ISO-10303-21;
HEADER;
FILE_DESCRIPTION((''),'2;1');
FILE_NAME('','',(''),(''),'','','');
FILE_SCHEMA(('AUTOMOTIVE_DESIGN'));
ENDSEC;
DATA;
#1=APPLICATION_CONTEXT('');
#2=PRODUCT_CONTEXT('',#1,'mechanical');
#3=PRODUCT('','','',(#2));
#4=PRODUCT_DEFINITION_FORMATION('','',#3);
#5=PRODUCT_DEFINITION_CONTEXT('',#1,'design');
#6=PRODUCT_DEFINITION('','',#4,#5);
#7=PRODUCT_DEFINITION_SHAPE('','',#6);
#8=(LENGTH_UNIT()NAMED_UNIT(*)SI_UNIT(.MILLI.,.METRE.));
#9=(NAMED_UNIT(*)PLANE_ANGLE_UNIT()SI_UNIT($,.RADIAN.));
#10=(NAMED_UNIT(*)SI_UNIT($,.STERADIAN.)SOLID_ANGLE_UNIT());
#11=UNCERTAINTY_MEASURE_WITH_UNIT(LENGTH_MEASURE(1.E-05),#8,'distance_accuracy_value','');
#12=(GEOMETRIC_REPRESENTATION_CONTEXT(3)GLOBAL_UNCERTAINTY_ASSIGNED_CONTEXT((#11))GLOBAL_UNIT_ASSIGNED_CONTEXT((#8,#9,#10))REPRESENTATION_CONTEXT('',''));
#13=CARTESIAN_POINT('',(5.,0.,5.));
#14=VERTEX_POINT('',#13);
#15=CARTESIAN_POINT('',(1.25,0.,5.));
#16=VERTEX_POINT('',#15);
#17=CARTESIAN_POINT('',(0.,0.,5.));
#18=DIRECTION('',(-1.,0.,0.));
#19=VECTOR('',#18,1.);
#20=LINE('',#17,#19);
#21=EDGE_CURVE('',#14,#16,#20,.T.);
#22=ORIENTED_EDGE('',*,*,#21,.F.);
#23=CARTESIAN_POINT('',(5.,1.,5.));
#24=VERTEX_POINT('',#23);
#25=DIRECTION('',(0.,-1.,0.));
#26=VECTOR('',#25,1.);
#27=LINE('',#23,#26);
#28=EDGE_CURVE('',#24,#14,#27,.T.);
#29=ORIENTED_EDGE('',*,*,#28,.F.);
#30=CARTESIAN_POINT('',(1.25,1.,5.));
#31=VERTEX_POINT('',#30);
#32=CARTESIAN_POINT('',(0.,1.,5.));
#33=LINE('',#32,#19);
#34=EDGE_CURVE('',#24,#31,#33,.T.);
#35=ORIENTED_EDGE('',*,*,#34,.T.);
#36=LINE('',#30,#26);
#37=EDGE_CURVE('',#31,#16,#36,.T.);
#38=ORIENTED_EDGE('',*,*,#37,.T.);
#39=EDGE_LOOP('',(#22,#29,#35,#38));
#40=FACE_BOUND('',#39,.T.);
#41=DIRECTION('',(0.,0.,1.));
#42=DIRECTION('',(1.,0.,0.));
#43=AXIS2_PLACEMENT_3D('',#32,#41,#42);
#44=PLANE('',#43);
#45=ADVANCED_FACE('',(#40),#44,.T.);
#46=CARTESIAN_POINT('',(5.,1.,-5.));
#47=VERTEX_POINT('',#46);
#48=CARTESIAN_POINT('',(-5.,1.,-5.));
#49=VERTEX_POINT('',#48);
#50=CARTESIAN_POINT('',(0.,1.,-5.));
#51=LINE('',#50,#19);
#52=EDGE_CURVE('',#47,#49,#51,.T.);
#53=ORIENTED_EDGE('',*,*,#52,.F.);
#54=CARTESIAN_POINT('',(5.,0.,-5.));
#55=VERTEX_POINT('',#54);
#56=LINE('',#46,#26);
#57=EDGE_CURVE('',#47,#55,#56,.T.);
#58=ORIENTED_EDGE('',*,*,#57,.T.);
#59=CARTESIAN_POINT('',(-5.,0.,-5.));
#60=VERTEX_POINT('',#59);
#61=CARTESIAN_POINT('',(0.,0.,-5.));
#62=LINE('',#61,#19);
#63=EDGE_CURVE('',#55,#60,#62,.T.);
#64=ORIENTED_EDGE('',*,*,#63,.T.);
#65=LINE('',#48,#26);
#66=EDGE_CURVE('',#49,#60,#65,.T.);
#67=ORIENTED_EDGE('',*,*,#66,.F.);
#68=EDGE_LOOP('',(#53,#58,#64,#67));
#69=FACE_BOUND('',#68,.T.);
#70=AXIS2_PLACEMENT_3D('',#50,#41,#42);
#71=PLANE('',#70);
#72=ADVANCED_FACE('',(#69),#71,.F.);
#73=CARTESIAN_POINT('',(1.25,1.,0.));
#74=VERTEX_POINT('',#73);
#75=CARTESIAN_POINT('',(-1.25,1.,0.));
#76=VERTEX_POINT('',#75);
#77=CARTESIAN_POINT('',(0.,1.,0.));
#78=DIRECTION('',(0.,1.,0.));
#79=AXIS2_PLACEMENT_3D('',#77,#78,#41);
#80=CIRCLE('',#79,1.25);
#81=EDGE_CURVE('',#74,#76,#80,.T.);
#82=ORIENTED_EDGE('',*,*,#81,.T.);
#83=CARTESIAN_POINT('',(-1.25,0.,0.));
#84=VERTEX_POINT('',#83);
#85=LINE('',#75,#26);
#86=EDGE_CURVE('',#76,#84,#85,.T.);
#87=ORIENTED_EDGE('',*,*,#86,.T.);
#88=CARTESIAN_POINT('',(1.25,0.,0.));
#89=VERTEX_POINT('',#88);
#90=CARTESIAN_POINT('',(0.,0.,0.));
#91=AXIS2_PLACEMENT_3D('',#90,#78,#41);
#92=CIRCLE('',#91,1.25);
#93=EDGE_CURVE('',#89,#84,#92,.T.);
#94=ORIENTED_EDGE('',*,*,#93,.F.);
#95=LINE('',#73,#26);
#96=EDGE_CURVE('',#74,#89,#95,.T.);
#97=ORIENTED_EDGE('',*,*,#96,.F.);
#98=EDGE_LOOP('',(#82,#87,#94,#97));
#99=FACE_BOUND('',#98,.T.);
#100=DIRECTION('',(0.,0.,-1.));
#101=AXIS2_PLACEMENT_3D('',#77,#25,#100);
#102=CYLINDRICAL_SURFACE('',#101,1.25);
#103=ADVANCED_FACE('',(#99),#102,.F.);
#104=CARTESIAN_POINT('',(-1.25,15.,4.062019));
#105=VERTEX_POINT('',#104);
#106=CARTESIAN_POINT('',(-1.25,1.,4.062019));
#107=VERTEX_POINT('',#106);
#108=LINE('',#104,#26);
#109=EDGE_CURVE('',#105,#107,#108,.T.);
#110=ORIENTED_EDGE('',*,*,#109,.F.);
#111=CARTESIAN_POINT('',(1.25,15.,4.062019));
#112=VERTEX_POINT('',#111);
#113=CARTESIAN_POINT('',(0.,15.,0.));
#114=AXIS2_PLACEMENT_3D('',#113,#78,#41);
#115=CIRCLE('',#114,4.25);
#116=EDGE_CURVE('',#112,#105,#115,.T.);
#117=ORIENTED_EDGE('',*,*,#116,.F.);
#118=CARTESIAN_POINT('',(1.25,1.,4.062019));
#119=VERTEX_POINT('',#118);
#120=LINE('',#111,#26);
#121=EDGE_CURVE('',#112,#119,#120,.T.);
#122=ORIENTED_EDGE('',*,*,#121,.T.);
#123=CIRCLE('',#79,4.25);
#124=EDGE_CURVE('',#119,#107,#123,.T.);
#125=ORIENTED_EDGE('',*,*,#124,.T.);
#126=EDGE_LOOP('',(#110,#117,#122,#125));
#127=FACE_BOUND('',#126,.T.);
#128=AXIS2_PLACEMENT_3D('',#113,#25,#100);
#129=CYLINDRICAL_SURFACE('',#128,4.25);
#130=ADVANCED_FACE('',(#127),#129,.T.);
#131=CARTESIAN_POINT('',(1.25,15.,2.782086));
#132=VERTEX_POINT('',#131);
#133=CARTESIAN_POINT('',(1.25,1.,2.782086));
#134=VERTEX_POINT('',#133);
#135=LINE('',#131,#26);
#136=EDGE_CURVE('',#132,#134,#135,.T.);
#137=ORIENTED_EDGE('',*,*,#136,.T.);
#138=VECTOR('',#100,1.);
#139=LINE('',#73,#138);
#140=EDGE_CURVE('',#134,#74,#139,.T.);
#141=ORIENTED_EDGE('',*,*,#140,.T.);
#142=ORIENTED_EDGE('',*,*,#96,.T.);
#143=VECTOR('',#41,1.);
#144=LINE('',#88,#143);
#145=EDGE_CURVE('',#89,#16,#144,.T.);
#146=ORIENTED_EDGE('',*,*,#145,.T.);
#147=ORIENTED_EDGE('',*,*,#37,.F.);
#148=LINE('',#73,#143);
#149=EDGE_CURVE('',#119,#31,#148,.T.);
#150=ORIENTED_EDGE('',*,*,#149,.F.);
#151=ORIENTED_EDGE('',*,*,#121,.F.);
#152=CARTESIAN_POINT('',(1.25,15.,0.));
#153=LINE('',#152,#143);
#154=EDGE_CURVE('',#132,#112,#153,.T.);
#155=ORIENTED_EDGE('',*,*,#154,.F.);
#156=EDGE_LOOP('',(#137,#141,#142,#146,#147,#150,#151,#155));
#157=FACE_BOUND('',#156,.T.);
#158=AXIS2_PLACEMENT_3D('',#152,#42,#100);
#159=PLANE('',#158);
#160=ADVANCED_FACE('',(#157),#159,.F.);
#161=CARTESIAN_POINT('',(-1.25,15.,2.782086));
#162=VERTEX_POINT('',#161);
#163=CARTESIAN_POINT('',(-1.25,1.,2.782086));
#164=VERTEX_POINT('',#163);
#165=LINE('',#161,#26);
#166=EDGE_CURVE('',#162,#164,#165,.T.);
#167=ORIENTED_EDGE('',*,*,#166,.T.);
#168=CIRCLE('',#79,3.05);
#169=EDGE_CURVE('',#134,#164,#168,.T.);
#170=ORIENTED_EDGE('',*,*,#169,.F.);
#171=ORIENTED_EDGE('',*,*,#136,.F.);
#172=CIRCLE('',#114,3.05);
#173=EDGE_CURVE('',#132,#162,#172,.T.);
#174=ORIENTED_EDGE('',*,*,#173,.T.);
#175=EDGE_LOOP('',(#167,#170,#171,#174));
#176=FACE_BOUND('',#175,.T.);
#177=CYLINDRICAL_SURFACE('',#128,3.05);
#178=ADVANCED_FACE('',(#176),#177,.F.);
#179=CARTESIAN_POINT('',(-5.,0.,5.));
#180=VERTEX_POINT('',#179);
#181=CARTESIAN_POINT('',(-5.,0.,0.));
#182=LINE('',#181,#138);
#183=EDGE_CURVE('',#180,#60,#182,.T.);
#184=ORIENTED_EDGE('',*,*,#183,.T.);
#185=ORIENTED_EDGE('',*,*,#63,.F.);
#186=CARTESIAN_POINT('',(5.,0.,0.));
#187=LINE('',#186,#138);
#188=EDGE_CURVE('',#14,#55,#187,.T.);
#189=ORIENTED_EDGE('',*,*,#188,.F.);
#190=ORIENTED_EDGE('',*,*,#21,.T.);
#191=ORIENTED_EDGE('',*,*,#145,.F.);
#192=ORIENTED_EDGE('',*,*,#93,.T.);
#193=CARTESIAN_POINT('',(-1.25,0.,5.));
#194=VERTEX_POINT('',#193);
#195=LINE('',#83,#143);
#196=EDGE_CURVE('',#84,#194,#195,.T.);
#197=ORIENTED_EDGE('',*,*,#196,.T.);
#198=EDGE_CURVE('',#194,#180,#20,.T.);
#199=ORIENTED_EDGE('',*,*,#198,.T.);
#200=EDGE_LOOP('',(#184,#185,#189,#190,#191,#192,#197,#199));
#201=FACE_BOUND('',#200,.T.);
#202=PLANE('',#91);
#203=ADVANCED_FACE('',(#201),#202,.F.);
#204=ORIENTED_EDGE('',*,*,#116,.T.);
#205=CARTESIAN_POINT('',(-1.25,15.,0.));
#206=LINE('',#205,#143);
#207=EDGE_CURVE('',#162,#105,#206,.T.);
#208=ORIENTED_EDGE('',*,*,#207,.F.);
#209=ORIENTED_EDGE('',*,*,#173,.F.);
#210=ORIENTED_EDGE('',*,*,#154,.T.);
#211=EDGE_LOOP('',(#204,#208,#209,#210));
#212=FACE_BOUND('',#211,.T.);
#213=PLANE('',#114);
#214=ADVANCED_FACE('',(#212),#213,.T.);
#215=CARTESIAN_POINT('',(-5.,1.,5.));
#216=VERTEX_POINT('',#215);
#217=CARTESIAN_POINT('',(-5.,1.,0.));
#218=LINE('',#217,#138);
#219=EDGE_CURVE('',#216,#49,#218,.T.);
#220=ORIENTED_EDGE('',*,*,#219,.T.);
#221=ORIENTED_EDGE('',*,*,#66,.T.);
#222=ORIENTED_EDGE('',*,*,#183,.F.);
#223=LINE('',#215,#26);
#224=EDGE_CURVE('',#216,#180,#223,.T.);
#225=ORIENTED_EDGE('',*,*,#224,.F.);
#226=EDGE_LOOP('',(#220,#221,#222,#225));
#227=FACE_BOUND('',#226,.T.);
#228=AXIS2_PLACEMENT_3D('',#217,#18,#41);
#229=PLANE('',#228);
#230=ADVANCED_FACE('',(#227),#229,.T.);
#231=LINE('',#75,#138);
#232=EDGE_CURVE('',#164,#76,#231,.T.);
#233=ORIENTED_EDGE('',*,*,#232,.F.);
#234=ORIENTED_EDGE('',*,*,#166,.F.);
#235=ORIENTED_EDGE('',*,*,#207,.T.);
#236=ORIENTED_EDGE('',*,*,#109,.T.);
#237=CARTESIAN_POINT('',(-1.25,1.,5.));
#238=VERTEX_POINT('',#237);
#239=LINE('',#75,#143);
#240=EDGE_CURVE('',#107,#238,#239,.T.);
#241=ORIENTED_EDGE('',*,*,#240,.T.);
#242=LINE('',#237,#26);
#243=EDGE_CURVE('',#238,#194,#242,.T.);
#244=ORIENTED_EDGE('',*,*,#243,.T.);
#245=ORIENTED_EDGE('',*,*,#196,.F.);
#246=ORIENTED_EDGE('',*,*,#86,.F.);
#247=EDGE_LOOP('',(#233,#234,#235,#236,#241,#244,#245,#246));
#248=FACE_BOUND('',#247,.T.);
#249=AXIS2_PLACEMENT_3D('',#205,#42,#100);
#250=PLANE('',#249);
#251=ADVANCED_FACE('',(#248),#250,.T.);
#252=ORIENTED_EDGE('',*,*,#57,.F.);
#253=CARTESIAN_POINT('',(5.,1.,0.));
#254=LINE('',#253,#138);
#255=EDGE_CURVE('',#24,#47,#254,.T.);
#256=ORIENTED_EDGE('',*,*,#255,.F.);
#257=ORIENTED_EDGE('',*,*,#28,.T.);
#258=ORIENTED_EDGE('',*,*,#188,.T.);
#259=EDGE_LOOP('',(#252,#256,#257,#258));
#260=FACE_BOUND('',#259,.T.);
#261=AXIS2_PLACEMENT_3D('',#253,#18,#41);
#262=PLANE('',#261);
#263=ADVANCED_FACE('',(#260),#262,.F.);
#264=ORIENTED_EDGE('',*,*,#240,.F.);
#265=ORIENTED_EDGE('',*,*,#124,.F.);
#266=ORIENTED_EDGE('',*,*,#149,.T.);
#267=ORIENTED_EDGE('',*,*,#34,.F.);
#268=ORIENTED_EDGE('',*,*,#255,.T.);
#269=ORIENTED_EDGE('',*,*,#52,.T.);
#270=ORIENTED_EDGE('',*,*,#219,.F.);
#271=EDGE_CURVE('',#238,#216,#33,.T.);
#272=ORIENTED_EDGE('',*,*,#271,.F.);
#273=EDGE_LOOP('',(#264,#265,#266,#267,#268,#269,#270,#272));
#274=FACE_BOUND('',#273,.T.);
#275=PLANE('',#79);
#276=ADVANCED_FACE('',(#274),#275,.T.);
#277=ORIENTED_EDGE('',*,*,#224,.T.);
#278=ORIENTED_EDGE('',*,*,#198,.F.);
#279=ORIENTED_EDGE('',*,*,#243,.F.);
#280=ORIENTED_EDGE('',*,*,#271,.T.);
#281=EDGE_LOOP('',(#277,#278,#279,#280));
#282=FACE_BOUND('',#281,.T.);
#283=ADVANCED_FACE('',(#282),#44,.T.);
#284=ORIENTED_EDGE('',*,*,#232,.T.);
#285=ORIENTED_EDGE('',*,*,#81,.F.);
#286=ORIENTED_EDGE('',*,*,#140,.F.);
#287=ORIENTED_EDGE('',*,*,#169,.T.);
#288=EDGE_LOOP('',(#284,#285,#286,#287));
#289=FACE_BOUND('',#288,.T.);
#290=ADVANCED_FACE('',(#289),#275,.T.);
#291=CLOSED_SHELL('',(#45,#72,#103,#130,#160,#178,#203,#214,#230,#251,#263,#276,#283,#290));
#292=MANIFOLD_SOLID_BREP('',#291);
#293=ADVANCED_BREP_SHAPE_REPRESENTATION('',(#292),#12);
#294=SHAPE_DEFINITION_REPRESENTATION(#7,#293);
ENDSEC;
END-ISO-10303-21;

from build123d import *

# Parameters (mm, degrees)
SKETCH1_R           = 4.25
SKETCH1_R_2         = 3.05
BOSS_EXTRUDE1_DEPTH = 15
SKETCH2_R           = 3.05
SKETCH2_R_2         = 1.25
BOSS_EXTRUDE2_DEPTH = 1
CUT_EXTRUDE1_DEPTH  = 15
BOSS_EXTRUDE3_DEPTH = 1


with BuildPart() as part:
    # Sketch1 → Boss-Extrude1 (new body)
    with BuildSketch(Plane(origin=(0, 0, 0), x_dir=(1, 0, 0), z_dir=(0, 1, 0))):
        with Locations(Location((0, 0, 0), (0, 0, 270))):
            Circle(SKETCH1_R)
        with Locations(Location((0, 0, 0), (0, 0, 270))):
            Circle(SKETCH1_R_2, mode=Mode.SUBTRACT)
    extrude(amount=BOSS_EXTRUDE1_DEPTH)

    # Sketch2 → Boss-Extrude2 (add)
    with BuildSketch(Plane(origin=(0, 0, 0), x_dir=(1, 0, 0), z_dir=(0, 1, 0))):
        with Locations(Location((0, 0, 0), (0, 0, 270))):
            Circle(SKETCH2_R)
        with Locations(Location((0, 0, 0), (0, 0, 270))):
            Circle(SKETCH2_R_2, mode=Mode.SUBTRACT)
    extrude(amount=BOSS_EXTRUDE2_DEPTH)

    # Sketch3 → Cut-Extrude1 (cut)
    with BuildSketch(Plane(origin=(0, 0, 0), x_dir=(1, 0, 0), z_dir=(0, 1, 0))):
        with BuildLine():
            ThreePointArc((1.25, 0), (0, -1.25), (-1.25, 0))
            Line((-1.25, 0), (-1.25, -5.072282681))
            Line((-1.25, -5.072282681), (1.25, -5.072282681))
            Line((1.25, -5.072282681), (1.25, 0))
        make_face()
    extrude(amount=CUT_EXTRUDE1_DEPTH, mode=Mode.SUBTRACT)

    # Sketch4 → Boss-Extrude3 (add)
    with BuildSketch(Plane(origin=(0, 0, 0), x_dir=(1, 0, 0), z_dir=(0, 1, 0))):
        with BuildLine():
            Line((-1.25, -5), (-1.25, 0))
            ThreePointArc((-1.25, 0), (0, 1.25), (1.25, 0))
            Line((1.25, 0), (1.25, -5))
            Line((1.25, -5), (5, -5))
            Line((5, -5), (5, 5))
            Line((5, 5), (-5, 5))
            Line((-5, 5), (-5, -5))
            Line((-5, -5), (-1.25, -5))
        make_face()
    extrude(amount=BOSS_EXTRUDE3_DEPTH)


solid = part.part
